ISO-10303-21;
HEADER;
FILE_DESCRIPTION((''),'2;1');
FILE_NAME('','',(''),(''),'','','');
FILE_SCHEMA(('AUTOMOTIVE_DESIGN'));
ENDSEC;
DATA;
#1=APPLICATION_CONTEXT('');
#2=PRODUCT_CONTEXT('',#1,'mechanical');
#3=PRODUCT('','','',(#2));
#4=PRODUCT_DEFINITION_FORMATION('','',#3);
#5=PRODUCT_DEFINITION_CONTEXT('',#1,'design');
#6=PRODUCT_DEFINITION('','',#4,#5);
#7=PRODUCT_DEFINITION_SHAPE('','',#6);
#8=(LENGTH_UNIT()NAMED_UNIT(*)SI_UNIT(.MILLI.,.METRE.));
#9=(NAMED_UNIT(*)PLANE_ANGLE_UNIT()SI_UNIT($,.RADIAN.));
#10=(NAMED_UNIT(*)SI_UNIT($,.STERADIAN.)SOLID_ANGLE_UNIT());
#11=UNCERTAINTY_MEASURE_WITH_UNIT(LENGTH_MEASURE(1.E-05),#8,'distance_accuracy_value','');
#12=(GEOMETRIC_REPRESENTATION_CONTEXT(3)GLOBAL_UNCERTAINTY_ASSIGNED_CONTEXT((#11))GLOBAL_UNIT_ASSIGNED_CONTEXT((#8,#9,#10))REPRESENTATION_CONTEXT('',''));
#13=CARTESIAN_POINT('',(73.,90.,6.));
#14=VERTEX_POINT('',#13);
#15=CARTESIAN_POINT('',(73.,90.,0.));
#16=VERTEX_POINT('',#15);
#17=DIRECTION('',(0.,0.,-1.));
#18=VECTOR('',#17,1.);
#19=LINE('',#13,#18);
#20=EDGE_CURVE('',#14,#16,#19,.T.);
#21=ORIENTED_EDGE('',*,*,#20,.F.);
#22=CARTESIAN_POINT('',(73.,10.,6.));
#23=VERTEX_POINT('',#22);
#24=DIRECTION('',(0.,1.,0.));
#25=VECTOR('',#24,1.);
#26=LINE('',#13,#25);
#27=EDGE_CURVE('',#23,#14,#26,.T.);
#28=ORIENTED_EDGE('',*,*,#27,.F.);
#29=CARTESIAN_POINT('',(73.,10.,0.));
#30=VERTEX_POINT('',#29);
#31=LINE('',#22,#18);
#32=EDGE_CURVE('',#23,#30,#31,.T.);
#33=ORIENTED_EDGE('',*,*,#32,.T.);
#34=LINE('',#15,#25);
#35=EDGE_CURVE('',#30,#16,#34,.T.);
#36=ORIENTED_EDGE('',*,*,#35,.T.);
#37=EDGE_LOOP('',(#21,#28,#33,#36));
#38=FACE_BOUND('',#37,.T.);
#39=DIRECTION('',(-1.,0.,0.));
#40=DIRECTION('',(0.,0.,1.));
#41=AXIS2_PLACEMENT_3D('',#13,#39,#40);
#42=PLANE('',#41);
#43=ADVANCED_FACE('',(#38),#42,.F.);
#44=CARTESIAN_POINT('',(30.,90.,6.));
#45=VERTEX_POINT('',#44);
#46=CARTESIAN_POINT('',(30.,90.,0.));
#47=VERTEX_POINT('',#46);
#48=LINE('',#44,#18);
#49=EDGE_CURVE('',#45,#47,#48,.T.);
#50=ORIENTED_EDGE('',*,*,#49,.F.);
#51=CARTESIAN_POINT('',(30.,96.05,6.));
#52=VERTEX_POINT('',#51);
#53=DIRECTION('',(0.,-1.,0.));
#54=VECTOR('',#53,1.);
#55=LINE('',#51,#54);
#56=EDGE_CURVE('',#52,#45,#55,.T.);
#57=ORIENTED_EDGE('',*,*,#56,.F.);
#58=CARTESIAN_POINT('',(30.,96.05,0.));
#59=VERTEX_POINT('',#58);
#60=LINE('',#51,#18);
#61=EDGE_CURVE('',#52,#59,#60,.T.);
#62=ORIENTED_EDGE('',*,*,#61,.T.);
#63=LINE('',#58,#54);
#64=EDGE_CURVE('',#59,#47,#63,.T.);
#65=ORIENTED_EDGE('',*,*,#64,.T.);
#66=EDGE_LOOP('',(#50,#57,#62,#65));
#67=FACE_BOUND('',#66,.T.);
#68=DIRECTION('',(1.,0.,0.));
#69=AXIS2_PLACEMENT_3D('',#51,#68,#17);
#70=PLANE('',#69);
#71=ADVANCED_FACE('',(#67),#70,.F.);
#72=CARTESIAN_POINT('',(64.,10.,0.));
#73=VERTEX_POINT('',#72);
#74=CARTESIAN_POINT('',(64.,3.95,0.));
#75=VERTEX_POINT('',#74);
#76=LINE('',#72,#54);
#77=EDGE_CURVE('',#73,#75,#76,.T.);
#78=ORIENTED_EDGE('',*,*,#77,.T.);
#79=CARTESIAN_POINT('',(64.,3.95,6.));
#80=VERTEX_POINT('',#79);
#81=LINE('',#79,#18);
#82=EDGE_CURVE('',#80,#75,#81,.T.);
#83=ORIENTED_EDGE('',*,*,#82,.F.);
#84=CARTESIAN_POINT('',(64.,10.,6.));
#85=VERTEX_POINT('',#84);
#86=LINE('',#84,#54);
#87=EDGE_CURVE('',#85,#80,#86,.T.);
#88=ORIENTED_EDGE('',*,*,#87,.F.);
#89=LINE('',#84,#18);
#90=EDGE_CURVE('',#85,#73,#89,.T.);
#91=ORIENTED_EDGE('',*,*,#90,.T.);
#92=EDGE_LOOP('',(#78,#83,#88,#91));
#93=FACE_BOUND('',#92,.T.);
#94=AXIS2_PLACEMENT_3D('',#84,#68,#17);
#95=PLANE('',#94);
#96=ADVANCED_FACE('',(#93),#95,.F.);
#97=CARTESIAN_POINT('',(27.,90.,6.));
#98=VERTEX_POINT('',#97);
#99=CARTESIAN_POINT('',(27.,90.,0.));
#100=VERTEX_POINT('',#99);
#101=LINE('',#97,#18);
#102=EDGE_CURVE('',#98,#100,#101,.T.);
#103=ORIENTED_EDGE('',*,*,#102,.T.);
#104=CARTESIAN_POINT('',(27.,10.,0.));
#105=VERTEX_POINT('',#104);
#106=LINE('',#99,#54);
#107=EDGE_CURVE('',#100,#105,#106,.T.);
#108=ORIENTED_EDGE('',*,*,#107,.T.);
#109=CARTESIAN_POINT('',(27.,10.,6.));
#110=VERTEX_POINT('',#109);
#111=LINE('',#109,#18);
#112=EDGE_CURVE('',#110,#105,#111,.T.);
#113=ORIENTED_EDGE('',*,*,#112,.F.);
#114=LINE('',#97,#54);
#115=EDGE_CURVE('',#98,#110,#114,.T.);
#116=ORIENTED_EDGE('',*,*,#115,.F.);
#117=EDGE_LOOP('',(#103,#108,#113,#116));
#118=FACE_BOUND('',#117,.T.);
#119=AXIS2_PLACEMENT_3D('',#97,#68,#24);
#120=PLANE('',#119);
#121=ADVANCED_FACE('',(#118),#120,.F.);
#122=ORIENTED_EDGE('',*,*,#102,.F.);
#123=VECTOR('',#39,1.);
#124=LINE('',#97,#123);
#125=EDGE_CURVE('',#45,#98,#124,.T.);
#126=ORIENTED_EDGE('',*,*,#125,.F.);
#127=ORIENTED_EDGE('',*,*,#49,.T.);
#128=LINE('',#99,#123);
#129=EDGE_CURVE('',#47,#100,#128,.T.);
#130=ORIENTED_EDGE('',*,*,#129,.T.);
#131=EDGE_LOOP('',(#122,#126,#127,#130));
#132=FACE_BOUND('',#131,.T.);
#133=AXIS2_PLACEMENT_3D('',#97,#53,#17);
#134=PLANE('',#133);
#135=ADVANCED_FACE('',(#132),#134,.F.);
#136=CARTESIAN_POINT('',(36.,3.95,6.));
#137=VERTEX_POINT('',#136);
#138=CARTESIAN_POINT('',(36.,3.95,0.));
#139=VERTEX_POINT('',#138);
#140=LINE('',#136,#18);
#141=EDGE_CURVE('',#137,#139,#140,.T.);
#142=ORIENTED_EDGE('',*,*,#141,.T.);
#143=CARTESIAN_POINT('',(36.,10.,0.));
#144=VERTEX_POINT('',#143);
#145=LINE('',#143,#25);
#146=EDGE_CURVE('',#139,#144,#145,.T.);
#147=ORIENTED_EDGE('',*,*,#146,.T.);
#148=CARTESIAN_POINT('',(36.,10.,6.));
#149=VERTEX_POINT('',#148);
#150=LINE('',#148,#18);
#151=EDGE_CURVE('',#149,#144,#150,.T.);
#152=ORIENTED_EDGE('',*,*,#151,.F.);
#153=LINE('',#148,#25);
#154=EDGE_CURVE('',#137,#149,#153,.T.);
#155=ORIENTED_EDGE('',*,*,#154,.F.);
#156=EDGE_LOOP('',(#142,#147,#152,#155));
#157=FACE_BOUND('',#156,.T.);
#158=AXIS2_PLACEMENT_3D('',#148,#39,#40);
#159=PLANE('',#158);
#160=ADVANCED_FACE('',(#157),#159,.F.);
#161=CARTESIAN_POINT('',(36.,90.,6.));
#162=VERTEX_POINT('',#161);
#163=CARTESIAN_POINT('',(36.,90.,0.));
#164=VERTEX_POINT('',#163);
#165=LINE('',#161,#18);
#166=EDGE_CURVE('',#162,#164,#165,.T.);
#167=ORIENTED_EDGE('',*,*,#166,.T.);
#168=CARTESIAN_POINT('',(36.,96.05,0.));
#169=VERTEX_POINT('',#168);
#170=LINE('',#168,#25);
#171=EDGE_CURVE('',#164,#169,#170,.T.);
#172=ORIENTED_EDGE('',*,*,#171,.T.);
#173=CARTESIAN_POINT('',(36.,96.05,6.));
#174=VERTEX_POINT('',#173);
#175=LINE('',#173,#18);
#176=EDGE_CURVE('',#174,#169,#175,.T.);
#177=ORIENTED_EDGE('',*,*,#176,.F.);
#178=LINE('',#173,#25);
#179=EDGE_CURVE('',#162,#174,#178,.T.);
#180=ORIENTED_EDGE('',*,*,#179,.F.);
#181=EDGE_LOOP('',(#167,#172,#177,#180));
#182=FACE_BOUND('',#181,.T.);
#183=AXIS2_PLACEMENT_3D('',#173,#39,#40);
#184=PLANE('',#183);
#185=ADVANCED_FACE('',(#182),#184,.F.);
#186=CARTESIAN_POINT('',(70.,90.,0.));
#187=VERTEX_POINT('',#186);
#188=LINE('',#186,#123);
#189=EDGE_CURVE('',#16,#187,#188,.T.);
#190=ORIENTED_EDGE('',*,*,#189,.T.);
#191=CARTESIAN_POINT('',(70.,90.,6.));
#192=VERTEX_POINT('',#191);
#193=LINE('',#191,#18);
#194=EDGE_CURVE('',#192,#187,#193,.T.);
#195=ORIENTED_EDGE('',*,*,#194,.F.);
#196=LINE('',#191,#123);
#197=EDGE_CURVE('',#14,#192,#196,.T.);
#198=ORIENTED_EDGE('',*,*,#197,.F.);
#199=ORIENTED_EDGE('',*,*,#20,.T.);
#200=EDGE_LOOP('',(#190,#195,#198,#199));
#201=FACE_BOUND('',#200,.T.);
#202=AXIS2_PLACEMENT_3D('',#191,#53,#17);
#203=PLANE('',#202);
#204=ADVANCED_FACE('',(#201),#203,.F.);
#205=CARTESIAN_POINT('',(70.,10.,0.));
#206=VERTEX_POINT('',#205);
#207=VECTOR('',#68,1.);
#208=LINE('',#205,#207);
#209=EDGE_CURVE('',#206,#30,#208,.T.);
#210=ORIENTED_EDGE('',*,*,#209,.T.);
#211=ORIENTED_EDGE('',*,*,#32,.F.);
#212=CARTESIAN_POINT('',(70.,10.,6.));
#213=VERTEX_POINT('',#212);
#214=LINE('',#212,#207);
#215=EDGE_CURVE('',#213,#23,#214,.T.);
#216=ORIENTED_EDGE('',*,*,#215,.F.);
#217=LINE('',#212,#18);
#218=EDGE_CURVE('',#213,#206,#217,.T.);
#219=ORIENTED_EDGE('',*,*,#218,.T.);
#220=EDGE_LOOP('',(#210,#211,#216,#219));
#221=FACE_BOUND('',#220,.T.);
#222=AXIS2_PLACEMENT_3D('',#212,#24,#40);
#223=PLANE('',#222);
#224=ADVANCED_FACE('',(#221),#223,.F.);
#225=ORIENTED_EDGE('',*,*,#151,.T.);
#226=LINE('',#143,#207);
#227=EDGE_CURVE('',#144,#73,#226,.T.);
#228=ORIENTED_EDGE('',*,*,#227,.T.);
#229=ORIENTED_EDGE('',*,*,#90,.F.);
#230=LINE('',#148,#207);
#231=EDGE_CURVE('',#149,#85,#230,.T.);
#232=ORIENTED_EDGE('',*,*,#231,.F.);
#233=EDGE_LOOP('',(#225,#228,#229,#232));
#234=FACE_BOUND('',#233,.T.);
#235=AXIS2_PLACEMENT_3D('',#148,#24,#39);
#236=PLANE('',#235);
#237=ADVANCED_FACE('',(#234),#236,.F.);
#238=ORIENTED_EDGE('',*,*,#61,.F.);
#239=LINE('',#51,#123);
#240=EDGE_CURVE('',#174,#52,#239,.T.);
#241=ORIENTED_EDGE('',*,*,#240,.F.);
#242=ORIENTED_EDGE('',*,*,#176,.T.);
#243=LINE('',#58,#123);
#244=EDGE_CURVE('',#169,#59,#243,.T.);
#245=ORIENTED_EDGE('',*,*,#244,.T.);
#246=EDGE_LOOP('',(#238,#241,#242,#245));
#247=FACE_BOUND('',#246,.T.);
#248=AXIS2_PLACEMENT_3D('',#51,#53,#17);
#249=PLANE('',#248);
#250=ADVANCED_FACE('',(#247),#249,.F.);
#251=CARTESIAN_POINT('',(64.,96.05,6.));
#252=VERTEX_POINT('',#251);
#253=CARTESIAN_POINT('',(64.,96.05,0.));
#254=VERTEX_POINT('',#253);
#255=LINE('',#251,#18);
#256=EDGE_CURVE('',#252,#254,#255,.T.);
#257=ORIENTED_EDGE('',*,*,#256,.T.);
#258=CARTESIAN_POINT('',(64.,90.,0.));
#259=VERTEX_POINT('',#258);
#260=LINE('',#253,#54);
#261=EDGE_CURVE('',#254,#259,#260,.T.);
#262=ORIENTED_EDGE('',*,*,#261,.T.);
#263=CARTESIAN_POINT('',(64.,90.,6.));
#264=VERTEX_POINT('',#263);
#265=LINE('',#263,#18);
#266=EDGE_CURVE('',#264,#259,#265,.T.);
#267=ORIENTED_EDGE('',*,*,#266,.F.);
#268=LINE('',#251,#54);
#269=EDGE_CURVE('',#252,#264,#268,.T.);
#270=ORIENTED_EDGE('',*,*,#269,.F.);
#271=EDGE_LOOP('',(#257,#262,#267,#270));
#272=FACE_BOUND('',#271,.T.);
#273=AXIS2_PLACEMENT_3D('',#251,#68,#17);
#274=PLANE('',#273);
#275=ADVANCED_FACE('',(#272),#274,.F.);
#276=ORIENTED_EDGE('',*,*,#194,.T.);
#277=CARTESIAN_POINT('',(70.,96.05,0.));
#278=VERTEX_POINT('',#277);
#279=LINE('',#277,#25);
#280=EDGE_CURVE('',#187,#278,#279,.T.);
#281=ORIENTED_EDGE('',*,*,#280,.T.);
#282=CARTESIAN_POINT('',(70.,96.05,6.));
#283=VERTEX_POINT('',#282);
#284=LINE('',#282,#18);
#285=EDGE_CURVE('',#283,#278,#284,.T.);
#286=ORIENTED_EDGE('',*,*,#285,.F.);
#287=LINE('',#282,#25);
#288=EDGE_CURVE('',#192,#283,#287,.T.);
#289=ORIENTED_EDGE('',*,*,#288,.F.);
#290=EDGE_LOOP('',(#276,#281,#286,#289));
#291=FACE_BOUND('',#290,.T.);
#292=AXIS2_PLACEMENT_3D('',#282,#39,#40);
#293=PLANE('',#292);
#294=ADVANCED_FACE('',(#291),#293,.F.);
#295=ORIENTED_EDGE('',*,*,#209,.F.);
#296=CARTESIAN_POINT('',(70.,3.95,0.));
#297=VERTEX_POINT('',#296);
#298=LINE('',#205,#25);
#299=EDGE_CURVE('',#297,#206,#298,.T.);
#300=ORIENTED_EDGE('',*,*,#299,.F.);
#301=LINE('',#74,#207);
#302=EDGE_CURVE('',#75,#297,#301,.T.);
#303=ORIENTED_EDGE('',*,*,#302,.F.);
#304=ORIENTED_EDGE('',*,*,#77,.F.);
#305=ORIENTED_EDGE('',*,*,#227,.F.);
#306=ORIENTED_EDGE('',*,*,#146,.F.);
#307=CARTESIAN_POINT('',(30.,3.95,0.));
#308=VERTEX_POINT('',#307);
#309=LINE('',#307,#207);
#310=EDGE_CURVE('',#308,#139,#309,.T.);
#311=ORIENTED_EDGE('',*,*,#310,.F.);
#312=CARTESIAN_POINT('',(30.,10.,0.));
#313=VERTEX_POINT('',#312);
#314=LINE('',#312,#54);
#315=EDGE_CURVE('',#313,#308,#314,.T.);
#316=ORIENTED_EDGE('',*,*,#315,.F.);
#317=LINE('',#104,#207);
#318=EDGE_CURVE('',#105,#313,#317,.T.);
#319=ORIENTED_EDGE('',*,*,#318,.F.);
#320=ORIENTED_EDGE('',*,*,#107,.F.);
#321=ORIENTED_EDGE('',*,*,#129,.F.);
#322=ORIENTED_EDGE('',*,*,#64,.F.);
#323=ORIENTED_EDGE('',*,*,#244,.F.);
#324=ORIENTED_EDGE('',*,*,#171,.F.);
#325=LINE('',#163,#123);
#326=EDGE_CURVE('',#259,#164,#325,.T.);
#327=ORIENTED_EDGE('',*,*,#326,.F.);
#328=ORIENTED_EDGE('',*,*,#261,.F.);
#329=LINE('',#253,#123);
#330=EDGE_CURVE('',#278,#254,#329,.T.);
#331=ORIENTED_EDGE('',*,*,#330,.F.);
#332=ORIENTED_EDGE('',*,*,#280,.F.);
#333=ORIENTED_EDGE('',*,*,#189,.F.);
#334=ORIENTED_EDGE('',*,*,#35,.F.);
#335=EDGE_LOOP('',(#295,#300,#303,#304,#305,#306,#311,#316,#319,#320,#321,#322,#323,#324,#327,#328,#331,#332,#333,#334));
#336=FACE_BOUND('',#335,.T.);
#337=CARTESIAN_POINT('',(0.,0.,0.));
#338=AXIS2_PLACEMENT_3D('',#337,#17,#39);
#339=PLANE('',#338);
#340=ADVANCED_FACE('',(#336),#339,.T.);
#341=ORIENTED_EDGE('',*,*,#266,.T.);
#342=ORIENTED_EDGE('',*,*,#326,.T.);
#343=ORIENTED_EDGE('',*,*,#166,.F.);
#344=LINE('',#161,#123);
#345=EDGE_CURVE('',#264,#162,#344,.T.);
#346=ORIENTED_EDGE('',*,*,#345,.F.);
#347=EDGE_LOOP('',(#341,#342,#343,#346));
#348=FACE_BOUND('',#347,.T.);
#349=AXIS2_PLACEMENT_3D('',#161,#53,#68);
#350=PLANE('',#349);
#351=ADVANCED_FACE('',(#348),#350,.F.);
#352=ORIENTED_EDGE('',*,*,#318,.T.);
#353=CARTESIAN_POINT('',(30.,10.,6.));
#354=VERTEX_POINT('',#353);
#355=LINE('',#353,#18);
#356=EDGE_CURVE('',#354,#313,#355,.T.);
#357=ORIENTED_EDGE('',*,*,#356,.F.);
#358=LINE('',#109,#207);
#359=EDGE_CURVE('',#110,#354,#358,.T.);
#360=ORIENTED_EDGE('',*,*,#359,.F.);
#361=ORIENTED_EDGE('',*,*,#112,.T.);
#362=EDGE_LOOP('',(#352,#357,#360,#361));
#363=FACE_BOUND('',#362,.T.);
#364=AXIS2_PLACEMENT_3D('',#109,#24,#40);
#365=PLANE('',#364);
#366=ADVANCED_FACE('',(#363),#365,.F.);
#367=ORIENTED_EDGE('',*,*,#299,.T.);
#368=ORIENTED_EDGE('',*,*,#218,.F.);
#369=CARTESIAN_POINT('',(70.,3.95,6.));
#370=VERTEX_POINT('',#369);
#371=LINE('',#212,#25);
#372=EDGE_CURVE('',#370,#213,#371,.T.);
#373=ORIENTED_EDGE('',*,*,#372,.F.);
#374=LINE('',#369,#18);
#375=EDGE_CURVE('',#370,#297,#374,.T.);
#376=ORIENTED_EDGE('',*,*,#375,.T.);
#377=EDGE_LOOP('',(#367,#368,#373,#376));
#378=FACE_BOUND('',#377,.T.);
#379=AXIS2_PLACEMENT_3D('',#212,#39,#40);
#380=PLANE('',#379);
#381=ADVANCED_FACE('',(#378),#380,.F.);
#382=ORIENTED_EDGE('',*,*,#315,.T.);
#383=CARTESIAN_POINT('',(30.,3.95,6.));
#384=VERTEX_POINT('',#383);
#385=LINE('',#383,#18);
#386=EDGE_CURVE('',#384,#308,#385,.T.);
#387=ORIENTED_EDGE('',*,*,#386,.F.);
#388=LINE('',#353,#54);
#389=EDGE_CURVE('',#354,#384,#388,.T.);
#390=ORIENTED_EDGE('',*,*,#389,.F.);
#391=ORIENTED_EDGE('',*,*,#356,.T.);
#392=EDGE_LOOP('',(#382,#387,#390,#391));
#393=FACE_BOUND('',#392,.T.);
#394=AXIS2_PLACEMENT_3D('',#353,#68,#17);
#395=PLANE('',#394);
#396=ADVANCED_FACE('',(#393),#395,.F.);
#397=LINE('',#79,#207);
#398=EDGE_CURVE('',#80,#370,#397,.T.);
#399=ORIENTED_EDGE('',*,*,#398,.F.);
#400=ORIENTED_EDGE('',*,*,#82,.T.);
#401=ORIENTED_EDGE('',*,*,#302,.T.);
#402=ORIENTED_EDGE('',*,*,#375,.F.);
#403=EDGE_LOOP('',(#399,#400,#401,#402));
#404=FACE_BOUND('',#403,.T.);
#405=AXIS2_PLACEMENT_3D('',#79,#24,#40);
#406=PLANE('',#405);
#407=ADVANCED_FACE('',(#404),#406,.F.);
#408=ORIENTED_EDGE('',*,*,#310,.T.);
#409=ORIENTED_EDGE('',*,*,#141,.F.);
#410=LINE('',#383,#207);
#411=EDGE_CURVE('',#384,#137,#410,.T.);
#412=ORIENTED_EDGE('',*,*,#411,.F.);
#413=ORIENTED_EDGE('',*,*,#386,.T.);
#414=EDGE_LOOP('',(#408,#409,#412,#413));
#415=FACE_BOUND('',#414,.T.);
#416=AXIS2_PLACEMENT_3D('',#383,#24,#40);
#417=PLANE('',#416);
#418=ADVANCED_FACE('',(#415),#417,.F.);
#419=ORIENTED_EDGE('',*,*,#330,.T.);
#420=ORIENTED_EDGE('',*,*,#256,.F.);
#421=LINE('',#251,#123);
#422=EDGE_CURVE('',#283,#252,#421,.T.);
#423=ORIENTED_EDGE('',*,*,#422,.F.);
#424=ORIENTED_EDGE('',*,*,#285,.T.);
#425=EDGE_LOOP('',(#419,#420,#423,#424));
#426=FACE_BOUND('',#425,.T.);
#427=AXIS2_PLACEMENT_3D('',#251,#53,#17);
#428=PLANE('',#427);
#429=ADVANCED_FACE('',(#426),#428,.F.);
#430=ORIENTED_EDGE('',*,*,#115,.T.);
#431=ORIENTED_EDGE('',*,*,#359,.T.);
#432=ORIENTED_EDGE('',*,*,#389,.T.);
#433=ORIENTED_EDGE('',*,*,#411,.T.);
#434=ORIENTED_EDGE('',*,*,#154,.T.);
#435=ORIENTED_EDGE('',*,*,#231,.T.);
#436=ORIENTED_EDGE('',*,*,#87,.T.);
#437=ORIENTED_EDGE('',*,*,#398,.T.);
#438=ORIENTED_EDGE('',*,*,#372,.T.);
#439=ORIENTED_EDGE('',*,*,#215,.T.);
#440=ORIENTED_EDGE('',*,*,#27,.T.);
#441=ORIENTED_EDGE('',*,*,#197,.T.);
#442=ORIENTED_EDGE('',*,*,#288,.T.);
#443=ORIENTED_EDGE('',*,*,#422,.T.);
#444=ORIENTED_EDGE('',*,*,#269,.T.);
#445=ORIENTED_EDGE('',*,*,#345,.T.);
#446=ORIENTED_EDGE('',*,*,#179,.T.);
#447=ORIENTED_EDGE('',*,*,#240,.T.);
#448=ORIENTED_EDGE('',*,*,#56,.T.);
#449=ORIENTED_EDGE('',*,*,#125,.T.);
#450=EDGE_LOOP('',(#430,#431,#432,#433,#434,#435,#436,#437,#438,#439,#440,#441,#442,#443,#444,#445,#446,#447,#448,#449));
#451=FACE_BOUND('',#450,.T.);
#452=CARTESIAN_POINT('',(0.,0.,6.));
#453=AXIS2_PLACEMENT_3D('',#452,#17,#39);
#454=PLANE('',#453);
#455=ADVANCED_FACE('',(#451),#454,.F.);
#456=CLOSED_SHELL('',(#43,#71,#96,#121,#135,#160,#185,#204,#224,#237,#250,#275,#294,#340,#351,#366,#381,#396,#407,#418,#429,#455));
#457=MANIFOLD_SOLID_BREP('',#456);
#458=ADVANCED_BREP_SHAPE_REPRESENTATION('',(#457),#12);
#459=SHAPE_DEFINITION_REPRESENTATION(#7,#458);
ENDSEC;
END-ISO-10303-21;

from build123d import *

# Parameters (mm, degrees)
SALIENTE_EXTRUIR1_DEPTH = 6


with BuildPart() as part:
    # Model → Saliente-Extruir1 (new body)
    with BuildSketch(Plane.XY):
        Polygon((73, 90), (73, 10), (70, 10), (70, 3.95), (64, 3.95), (64, 10), (36, 10), (36, 3.95), (30, 3.95), (30, 10), (27, 10), (27, 90), (30, 90), (30, 96.05), (36, 96.05), (36, 90), (64, 90), (64, 96.05), (70, 96.05), (70, 90), align=None)
    extrude(amount=SALIENTE_EXTRUIR1_DEPTH)


solid = part.part
